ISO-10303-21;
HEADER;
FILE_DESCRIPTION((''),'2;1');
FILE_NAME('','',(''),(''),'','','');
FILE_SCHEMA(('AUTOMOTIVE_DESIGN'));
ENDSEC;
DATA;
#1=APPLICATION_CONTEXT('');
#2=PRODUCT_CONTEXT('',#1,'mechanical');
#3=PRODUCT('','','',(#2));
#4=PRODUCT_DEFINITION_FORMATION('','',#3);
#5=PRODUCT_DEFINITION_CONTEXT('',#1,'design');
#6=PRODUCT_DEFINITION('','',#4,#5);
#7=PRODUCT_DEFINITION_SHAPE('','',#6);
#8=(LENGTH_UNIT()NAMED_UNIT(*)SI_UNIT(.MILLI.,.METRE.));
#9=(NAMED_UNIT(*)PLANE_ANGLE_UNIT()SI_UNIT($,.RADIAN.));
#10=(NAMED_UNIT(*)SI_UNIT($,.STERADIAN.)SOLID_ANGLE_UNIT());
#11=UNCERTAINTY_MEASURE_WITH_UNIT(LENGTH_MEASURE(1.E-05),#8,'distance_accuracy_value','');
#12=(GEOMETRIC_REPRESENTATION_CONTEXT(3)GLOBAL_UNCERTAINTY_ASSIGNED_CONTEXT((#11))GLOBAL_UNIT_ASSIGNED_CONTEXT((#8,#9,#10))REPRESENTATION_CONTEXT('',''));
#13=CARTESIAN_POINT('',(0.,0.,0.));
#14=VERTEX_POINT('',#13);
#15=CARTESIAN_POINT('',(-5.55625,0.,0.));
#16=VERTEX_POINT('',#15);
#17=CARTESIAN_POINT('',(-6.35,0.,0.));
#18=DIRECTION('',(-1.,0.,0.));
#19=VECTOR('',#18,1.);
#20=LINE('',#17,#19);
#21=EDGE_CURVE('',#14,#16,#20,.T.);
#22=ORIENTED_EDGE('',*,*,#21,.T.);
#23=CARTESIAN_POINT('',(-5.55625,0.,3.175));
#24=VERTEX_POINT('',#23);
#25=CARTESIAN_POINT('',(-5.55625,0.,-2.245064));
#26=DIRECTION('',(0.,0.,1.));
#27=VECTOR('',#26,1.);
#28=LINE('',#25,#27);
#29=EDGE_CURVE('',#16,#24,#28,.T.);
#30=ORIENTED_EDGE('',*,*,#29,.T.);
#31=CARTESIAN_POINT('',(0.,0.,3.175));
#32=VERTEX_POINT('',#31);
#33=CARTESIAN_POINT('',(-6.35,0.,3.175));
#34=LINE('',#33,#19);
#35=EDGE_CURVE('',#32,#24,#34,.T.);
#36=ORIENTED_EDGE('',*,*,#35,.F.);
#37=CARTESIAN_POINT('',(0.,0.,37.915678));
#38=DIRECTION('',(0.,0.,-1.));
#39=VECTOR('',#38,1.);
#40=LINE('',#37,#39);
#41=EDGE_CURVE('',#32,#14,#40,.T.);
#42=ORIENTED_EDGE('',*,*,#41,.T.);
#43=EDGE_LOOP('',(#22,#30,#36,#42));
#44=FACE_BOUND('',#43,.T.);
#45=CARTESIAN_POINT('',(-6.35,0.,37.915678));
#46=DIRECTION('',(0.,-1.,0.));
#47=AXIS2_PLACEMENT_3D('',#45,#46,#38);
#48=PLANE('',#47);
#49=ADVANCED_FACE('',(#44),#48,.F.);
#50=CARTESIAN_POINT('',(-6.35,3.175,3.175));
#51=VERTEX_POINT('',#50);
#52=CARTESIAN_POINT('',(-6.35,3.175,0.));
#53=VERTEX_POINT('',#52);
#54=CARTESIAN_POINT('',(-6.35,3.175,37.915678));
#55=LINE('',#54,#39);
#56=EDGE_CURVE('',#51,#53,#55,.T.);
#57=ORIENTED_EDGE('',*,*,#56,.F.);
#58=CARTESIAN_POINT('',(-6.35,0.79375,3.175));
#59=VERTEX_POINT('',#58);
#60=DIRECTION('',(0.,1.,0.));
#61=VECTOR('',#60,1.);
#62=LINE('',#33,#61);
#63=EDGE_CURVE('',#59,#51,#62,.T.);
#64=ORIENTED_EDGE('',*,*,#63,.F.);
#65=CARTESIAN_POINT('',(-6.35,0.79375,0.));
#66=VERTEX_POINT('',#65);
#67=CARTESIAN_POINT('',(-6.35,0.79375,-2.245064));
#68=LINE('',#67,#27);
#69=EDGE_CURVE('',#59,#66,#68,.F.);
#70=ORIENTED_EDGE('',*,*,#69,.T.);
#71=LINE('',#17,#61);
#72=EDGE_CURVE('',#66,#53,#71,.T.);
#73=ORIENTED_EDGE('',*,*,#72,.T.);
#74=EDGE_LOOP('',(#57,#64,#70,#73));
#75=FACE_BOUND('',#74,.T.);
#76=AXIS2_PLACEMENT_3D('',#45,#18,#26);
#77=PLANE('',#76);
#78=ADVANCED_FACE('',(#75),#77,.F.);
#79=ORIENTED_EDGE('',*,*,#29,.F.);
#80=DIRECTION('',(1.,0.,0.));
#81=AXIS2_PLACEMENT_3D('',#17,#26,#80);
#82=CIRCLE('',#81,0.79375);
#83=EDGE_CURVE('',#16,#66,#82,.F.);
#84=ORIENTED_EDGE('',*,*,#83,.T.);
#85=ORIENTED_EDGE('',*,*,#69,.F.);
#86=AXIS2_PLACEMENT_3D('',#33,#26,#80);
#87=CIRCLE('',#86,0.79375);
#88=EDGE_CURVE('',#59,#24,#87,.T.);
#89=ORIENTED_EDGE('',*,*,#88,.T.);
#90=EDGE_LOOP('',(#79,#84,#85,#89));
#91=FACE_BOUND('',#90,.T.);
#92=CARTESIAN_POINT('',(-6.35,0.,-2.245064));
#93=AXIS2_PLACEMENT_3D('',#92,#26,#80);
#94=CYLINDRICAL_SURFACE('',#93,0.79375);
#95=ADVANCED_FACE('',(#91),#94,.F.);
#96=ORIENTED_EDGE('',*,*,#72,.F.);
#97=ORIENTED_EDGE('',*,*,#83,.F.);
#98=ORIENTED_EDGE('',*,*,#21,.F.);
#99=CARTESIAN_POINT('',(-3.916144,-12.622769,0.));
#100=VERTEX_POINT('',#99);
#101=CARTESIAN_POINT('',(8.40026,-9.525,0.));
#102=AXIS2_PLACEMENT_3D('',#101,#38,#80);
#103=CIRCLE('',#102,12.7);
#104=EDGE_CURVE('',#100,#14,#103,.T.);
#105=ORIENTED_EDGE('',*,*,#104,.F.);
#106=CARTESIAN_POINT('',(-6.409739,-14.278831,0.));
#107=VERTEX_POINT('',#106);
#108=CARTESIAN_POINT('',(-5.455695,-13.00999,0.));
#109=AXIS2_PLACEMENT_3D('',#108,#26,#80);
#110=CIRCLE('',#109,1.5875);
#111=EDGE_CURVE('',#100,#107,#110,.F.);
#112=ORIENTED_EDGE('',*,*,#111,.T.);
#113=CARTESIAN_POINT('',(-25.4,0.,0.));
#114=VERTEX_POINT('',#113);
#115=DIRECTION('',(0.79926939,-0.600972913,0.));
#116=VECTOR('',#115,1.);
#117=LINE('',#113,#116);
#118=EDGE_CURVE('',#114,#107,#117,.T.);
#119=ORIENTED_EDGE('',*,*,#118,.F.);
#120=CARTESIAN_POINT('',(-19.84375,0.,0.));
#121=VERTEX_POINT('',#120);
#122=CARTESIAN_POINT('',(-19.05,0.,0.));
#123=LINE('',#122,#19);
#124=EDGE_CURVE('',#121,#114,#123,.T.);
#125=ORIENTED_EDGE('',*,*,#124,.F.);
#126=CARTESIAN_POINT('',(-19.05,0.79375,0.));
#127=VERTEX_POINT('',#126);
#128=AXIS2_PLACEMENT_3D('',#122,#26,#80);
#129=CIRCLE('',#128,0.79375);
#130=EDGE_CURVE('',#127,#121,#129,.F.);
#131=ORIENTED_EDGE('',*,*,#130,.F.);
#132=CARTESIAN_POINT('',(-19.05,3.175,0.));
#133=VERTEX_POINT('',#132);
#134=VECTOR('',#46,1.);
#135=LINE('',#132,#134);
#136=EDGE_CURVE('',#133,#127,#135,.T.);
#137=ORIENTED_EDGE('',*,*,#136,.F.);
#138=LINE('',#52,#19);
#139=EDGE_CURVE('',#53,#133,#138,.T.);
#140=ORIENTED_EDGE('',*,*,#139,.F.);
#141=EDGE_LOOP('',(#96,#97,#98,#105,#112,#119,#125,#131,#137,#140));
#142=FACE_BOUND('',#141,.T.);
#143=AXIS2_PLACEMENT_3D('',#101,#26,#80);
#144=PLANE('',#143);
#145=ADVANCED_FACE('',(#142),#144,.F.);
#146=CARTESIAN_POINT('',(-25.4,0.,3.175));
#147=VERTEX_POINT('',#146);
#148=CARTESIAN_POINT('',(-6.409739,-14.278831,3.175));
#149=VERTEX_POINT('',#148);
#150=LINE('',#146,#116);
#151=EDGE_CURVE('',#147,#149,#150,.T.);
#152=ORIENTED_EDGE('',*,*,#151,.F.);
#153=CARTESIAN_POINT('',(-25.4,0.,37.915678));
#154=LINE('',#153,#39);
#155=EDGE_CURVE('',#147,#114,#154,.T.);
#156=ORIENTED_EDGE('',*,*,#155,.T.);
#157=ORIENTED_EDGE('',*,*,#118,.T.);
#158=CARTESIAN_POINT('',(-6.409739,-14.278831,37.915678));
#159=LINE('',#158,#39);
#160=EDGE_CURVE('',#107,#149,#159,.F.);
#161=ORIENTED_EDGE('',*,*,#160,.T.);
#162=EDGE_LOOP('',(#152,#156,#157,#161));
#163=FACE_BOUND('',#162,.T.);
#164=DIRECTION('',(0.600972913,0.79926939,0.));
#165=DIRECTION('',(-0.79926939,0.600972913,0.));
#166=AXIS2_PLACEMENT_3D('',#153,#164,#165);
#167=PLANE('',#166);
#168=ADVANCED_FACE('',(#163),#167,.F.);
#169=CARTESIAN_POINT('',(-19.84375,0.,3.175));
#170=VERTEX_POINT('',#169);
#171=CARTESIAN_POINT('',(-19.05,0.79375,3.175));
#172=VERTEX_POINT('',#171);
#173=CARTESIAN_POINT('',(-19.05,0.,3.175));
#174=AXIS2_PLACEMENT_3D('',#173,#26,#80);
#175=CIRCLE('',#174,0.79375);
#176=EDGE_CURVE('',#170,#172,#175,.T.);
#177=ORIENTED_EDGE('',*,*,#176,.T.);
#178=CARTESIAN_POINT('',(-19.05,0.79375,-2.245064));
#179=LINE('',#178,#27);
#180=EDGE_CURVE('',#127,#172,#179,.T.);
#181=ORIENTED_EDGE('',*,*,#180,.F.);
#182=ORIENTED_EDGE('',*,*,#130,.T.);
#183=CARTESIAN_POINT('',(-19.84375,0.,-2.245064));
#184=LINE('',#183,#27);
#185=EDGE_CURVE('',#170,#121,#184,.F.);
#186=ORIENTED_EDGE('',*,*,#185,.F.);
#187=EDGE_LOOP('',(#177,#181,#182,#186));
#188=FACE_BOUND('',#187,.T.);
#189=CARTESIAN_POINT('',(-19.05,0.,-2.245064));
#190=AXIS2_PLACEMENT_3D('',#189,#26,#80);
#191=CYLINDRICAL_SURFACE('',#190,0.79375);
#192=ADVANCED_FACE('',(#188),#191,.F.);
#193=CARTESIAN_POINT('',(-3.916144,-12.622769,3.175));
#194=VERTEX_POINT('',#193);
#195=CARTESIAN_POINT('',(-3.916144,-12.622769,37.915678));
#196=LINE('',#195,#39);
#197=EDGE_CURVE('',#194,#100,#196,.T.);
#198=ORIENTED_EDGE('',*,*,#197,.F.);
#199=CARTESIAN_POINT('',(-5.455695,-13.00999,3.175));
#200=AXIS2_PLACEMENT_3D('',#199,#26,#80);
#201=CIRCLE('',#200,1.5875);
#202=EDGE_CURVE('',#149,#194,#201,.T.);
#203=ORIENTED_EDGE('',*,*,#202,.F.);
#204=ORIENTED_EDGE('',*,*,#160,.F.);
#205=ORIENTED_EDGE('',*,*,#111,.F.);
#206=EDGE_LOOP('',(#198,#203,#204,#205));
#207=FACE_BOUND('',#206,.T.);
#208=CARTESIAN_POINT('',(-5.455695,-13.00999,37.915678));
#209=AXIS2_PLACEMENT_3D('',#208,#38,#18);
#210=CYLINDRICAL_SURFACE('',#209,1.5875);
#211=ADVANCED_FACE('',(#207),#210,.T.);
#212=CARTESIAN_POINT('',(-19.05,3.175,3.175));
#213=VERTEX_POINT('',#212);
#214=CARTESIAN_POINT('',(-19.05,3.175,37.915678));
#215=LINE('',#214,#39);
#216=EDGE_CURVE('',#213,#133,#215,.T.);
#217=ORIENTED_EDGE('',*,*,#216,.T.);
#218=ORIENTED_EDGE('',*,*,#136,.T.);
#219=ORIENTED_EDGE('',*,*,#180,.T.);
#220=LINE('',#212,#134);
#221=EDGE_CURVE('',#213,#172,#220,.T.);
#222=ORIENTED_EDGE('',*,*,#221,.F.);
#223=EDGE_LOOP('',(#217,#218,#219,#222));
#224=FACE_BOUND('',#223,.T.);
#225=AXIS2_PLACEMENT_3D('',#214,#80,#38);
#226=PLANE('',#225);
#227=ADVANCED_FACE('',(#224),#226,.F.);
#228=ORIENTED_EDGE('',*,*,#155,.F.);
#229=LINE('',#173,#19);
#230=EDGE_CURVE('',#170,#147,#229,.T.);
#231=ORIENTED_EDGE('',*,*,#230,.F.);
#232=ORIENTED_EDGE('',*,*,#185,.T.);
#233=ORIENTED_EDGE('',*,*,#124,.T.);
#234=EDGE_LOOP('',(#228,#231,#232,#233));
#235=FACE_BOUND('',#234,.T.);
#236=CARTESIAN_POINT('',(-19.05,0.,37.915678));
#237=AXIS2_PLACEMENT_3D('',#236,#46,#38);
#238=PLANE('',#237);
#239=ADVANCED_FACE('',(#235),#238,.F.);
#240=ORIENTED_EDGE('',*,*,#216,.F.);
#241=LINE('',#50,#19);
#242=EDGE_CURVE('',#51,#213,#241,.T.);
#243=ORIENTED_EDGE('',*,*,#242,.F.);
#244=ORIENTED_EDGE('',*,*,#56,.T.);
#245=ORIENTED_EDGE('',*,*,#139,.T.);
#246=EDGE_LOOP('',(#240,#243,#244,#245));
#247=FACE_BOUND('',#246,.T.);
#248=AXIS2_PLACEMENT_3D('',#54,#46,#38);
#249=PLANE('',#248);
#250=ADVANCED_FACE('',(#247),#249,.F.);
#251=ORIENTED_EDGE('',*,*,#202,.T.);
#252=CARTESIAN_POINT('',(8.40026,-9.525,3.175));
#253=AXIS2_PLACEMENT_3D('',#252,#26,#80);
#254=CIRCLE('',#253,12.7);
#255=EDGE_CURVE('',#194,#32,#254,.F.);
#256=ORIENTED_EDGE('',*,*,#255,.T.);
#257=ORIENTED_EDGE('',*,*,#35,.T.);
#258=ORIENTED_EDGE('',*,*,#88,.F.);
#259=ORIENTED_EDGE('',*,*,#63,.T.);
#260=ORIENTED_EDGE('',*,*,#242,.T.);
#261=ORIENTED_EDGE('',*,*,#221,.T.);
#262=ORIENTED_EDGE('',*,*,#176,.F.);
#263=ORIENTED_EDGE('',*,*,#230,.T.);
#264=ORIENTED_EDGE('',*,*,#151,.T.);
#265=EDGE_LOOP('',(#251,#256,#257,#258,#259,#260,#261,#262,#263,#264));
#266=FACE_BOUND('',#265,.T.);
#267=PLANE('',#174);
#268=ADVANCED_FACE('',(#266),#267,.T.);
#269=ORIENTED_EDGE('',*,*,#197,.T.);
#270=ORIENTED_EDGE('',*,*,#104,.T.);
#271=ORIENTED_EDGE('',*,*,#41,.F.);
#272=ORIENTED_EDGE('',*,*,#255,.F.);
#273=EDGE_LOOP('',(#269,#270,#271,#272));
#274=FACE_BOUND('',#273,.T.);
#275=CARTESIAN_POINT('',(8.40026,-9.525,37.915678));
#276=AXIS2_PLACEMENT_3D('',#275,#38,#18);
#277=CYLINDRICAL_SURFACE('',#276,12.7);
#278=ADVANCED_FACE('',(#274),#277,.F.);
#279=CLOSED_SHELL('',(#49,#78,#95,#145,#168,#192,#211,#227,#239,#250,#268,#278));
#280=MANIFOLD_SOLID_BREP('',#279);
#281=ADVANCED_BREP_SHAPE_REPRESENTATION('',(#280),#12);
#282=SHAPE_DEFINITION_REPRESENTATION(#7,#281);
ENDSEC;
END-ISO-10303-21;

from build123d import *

# Parameters (mm, degrees)
BOSS_EXTRUDE1_DEPTH = 3.175
FILLET1_R           = 1.5875
SKETCH3_R           = 0.79375
CUT_EXTRUDE1_DEPTH  = 3.175


with BuildPart() as part:
    # Sketch2 → Boss-Extrude1 (new body)
    with BuildSketch(Plane.XY):
        with BuildLine():
            Line((-19.05, 0), (-25.4, 0))
            Line((-25.4, 0), (0.767904, -19.675721))
            ThreePointArc((0.767904, -19.675721), (-4.290078, -10.020279), (0, 0))
            Line((0, 0), (-6.35, 0))
            Line((-6.35, 0), (-6.35, 3.175))
            Line((-6.35, 3.175), (-19.05, 3.175))
            Line((-19.05, 3.175), (-19.05, 0))
        make_face()
    extrude(amount=BOSS_EXTRUDE1_DEPTH)

    # Fillet1
    fillet1_edges = [part.edges().sort_by_distance(p)[0] for p in [
        (0.767904, -19.675721, 1.5875),
    ]]
    fillet(fillet1_edges, radius=FILLET1_R)

    # Sketch3 → Cut-Extrude1 (cut)
    with BuildSketch(Plane.XY.offset(3.175)):
        with Locations((-19.05, 0)):
            Circle(SKETCH3_R)
        with Locations((-6.35, 0)):
            Circle(SKETCH3_R)
    extrude(amount=-CUT_EXTRUDE1_DEPTH, mode=Mode.SUBTRACT)


solid = part.part
